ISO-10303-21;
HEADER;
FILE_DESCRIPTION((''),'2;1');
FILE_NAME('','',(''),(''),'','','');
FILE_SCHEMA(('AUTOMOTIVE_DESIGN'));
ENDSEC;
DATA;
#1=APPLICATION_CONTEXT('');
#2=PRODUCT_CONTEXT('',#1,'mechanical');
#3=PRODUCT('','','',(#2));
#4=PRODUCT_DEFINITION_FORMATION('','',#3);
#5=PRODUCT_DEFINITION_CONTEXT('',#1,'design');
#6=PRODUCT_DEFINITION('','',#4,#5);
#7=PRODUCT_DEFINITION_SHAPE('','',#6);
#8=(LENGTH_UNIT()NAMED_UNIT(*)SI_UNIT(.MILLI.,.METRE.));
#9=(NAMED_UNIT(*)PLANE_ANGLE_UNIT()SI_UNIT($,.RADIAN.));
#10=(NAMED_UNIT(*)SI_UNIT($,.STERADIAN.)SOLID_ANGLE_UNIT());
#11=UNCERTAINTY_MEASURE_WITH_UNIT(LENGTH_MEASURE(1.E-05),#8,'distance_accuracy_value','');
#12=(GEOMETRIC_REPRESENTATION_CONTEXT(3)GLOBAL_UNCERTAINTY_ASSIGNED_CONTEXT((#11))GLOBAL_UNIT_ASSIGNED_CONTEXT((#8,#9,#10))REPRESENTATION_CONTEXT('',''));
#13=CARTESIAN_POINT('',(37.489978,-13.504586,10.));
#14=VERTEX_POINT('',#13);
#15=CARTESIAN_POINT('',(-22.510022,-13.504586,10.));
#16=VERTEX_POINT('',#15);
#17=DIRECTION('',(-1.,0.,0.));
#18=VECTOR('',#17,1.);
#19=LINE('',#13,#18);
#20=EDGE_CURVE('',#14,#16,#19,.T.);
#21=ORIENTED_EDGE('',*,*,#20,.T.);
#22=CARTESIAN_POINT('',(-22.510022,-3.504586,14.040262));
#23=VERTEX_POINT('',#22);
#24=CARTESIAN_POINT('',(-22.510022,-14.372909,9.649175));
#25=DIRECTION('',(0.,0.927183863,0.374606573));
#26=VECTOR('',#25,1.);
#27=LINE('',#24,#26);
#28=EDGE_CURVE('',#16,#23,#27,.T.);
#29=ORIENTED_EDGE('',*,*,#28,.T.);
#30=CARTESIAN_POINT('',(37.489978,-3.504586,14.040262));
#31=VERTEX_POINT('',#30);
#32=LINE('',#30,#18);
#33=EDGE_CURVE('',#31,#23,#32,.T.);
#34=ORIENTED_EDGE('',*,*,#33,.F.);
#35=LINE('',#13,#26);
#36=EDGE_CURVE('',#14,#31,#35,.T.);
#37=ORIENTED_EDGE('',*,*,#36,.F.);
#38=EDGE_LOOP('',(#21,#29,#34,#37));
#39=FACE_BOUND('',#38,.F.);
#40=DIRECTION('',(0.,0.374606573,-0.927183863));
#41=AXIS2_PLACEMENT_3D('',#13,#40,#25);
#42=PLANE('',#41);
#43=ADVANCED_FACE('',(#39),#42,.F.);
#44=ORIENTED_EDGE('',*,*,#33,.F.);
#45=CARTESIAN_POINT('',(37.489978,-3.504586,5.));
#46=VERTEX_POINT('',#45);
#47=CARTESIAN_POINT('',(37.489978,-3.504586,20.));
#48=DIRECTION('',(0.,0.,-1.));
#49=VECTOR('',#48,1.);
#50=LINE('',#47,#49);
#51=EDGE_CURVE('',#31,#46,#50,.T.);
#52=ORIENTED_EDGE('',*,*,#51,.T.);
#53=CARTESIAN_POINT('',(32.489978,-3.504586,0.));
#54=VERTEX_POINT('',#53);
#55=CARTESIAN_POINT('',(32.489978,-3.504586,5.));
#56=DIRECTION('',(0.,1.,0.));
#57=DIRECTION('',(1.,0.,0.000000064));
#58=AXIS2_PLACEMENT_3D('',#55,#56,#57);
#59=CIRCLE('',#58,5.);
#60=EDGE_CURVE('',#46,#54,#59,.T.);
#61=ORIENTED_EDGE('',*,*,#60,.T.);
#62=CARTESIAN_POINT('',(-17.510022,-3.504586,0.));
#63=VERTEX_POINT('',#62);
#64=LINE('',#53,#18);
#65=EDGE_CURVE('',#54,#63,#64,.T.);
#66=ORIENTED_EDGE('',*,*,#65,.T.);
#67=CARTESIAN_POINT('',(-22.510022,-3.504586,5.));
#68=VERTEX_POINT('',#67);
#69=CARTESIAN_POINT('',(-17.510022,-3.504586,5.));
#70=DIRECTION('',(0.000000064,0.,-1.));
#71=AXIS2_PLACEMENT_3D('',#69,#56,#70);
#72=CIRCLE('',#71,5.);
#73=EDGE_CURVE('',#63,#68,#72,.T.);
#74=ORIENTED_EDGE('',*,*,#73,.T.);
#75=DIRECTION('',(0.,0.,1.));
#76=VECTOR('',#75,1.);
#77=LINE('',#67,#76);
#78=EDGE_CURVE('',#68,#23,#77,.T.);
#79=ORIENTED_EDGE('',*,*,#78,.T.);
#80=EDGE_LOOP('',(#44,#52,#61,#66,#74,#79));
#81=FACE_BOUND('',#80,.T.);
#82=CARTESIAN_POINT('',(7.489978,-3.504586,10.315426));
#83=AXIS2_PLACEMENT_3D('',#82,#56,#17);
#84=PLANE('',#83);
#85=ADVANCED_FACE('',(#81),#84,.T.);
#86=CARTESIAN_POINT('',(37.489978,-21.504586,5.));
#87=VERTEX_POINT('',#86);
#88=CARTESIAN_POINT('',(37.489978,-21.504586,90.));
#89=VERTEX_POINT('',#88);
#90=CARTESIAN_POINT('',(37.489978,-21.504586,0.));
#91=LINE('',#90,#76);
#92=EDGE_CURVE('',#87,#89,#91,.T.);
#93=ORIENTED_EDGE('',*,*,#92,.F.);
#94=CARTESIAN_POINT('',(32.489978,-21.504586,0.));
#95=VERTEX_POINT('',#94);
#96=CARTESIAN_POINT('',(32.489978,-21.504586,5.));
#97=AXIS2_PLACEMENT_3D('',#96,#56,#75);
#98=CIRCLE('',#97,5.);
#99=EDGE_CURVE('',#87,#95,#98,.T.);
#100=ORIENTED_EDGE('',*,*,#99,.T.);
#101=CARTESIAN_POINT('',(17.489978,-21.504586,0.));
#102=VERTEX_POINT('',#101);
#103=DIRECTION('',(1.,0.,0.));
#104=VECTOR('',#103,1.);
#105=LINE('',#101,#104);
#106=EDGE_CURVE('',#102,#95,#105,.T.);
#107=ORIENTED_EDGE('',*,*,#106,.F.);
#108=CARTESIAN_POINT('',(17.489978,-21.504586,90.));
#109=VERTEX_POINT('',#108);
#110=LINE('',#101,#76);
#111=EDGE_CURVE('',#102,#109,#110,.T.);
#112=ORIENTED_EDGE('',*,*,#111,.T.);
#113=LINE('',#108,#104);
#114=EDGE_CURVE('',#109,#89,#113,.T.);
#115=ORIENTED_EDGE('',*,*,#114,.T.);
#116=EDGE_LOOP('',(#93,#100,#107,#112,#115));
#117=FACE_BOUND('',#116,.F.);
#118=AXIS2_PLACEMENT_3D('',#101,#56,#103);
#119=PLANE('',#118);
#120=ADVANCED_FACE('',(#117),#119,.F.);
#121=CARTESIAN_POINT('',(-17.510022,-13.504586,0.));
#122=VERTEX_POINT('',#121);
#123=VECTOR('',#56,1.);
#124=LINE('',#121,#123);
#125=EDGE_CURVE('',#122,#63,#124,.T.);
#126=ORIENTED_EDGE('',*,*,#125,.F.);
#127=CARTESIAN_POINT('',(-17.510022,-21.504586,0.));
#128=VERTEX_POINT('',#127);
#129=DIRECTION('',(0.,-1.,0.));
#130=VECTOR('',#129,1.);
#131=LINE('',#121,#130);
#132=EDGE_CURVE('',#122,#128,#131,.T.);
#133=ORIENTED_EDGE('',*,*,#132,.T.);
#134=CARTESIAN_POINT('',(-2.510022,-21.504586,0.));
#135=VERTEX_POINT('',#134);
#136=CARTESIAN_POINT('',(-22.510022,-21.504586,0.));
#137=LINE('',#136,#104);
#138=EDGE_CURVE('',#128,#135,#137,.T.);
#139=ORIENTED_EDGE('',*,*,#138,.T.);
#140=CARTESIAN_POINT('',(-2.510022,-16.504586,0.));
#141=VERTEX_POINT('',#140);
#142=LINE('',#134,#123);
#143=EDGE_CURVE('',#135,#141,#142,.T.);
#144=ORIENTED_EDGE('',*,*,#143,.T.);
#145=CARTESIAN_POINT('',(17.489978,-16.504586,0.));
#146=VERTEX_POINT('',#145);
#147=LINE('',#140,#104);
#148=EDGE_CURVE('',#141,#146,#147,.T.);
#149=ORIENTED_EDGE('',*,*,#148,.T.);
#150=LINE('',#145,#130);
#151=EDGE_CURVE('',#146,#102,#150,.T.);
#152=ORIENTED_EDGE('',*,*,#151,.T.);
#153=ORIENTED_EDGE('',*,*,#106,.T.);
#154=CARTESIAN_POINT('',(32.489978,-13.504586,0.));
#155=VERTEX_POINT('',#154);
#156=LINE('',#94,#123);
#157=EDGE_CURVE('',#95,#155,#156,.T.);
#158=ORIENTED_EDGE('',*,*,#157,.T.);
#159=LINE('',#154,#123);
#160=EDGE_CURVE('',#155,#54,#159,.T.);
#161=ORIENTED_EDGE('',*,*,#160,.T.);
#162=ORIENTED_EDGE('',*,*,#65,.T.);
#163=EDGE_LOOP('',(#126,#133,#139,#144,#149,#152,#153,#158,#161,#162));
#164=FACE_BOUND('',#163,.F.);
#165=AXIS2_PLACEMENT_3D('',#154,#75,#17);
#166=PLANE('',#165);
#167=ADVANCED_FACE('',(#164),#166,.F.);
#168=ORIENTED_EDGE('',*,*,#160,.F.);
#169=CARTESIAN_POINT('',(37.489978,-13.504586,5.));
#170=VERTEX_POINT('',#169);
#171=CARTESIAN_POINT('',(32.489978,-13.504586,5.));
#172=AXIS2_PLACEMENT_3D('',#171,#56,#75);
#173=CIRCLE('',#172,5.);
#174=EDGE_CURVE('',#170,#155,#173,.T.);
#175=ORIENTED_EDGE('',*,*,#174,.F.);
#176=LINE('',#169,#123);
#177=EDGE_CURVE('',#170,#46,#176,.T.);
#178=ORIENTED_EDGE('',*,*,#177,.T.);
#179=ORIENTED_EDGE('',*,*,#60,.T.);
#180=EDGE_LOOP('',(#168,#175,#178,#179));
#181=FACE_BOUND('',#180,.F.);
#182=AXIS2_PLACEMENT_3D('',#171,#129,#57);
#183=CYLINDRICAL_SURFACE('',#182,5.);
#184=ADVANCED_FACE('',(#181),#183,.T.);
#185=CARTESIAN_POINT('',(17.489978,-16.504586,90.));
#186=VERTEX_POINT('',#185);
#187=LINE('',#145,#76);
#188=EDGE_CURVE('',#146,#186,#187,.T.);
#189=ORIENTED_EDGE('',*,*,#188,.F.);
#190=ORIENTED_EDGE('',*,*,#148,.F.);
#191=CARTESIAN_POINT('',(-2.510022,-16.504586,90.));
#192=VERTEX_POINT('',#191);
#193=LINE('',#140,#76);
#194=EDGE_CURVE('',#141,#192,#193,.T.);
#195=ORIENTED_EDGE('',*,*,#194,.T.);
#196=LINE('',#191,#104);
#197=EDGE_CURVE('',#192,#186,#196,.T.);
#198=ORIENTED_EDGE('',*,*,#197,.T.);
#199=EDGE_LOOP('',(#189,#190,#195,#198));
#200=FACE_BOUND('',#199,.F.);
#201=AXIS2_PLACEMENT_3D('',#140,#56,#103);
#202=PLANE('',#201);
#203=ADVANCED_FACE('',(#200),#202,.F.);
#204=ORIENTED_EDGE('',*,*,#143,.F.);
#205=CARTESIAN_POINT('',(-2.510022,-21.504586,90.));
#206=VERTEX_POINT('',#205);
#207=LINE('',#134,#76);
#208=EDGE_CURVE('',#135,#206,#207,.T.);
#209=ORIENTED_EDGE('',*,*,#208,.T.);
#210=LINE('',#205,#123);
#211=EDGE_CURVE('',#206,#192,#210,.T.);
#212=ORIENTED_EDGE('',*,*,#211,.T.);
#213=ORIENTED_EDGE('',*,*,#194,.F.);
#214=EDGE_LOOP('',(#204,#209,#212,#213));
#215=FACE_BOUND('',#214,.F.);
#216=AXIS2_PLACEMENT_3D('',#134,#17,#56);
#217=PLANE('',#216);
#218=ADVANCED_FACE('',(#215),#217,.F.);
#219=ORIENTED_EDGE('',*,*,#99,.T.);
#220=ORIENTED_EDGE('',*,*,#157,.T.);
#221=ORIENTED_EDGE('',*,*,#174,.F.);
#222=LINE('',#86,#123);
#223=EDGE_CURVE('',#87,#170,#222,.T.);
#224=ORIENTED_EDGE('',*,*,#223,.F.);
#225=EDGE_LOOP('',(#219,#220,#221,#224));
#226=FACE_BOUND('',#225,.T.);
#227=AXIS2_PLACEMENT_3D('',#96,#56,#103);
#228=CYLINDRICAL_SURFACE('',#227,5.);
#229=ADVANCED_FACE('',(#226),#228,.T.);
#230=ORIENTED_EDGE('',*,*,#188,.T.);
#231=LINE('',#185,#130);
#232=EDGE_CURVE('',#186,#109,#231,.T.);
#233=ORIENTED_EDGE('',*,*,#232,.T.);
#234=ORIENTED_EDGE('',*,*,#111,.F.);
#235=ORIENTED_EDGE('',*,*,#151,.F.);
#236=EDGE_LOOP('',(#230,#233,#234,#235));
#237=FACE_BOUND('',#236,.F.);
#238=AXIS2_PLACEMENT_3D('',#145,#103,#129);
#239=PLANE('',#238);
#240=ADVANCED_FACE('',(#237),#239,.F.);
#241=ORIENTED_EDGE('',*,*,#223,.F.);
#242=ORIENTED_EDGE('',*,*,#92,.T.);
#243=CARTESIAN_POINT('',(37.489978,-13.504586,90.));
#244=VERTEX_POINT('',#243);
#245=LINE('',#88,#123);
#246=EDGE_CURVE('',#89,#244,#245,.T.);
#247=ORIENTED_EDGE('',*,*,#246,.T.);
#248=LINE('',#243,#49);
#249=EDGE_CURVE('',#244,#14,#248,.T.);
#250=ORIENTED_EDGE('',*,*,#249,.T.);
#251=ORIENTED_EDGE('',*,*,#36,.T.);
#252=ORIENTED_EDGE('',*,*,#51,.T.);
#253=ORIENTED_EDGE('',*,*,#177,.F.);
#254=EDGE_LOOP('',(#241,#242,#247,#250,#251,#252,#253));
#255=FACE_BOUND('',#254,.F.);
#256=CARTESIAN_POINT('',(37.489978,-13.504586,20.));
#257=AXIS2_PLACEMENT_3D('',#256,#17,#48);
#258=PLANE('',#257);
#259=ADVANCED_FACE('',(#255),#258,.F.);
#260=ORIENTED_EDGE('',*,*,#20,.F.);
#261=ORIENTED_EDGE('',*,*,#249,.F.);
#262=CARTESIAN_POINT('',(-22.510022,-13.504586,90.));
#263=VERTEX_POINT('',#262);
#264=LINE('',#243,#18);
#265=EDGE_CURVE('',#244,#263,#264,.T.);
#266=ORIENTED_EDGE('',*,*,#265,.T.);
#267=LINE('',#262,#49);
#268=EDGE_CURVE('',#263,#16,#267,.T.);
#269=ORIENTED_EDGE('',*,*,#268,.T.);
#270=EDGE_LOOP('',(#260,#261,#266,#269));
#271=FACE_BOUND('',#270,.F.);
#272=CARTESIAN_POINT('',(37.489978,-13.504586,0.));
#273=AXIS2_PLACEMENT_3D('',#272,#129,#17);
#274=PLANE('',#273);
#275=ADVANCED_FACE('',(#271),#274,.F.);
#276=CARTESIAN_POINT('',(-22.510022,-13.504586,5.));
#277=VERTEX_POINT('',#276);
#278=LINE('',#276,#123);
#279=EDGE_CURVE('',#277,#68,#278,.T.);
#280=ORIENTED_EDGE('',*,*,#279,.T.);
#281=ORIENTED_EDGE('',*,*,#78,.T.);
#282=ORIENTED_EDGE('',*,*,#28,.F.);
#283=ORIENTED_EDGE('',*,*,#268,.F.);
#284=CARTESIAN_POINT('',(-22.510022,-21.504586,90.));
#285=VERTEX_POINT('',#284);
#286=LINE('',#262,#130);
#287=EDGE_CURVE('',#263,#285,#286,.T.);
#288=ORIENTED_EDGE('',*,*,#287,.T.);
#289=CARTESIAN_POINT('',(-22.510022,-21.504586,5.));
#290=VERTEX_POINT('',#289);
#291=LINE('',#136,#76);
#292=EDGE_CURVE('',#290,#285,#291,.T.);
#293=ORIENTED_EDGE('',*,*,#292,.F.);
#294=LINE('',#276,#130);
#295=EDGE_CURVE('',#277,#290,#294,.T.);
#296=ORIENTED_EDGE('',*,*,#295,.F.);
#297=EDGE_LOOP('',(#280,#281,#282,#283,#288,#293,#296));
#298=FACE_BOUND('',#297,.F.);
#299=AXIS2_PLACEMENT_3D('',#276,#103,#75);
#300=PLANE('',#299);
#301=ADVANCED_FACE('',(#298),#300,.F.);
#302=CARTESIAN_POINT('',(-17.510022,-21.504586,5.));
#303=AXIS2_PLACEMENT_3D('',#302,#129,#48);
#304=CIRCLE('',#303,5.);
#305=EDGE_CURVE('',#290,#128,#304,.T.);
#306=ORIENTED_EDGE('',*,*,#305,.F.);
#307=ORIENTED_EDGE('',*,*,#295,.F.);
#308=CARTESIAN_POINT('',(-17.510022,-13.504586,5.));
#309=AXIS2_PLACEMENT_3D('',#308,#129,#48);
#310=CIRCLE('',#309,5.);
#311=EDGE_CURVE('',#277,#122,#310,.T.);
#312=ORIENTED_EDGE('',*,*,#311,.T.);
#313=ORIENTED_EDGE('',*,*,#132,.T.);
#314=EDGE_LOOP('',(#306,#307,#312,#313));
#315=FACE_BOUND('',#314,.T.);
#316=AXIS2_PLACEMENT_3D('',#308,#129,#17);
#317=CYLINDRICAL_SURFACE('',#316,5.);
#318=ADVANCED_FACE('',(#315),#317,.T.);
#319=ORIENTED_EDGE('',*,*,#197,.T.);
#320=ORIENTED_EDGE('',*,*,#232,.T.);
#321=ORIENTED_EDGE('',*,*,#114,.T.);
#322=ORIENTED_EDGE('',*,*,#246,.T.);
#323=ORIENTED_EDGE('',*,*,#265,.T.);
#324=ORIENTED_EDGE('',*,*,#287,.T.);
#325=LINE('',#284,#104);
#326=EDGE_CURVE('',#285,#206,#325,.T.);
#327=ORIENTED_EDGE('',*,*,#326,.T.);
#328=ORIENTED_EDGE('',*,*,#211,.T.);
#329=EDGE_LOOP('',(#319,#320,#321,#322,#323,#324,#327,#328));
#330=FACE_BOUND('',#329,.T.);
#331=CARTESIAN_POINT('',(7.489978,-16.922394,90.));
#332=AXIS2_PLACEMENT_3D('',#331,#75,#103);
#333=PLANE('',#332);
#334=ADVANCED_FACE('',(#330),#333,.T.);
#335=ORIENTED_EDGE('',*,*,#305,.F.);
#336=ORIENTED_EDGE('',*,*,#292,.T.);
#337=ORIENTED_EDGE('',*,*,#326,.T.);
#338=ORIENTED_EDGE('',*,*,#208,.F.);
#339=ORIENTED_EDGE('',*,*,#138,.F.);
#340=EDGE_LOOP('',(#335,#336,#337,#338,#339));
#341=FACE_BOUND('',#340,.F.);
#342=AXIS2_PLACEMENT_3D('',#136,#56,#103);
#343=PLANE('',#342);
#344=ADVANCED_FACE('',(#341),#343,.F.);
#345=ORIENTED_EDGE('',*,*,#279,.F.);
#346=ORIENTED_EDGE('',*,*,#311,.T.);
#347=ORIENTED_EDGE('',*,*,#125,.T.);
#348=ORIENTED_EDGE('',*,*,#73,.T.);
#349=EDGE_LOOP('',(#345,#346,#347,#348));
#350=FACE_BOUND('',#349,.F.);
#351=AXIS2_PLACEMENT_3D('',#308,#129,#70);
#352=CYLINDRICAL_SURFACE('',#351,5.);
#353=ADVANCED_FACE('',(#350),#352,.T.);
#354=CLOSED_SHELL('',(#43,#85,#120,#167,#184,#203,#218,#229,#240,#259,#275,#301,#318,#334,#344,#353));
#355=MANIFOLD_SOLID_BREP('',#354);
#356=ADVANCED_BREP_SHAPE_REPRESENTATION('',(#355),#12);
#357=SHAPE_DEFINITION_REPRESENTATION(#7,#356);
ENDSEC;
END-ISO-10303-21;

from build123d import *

# Parameters (mm, degrees)
F1_DEPTH = 90
F2_R     = 5
F4_DEPTH = 10
F6_DEPTH = 60.001


with BuildPart() as f1:
    # F0 (on Top) → F1 (new body)
    with BuildSketch(Plane.XY):
        Polygon((17.489978, -16.504586), (17.489978, -21.504586), (37.489978, -21.504586), (37.489978, -13.504586), (-22.510022, -13.504586), (-22.510022, -21.504586), (-2.510022, -21.504586), (-2.510022, -16.504586), align=None)
    extrude(amount=F1_DEPTH)

    # F2
    f2_edges = [f1.edges().sort_by_distance(p)[0] for p in [
        (-22.510022, -17.504586, 0),
        (37.489978, -17.504586, 0),
    ]]
    fillet(f2_edges, radius=F2_R)

    # F3 (on face) → F4 (join)
    with BuildSketch(Plane(origin=(0, -13.504586, 0), x_dir=(-1, 0, 0), z_dir=(0, 1, 0))):
        with BuildLine():
            Line((22.510022, 5), (22.510022, 20))
            Line((22.510022, 20), (-37.489978, 20))
            Line((-37.489978, 20), (-37.489978, 5))
            ThreePointArc((-37.489978, 5), (-36.025512, 1.464466), (-32.489978, 0))
            Line((-32.489978, 0), (17.510022, 0))
            ThreePointArc((17.510022, 0), (21.045556, 1.464466), (22.510022, 5))
        make_face()
    extrude(amount=F4_DEPTH)

    # F5 (on face) → F6 (cut, through all)
    with BuildSketch(Plane.YZ.offset(37.489978)):
        Polygon((-13.504586, 10), (-3.504586, 14.040262), (-3.504586, 20), (-13.504586, 20), align=None)
    extrude(amount=-F6_DEPTH, mode=Mode.SUBTRACT)


solid = f1.part
